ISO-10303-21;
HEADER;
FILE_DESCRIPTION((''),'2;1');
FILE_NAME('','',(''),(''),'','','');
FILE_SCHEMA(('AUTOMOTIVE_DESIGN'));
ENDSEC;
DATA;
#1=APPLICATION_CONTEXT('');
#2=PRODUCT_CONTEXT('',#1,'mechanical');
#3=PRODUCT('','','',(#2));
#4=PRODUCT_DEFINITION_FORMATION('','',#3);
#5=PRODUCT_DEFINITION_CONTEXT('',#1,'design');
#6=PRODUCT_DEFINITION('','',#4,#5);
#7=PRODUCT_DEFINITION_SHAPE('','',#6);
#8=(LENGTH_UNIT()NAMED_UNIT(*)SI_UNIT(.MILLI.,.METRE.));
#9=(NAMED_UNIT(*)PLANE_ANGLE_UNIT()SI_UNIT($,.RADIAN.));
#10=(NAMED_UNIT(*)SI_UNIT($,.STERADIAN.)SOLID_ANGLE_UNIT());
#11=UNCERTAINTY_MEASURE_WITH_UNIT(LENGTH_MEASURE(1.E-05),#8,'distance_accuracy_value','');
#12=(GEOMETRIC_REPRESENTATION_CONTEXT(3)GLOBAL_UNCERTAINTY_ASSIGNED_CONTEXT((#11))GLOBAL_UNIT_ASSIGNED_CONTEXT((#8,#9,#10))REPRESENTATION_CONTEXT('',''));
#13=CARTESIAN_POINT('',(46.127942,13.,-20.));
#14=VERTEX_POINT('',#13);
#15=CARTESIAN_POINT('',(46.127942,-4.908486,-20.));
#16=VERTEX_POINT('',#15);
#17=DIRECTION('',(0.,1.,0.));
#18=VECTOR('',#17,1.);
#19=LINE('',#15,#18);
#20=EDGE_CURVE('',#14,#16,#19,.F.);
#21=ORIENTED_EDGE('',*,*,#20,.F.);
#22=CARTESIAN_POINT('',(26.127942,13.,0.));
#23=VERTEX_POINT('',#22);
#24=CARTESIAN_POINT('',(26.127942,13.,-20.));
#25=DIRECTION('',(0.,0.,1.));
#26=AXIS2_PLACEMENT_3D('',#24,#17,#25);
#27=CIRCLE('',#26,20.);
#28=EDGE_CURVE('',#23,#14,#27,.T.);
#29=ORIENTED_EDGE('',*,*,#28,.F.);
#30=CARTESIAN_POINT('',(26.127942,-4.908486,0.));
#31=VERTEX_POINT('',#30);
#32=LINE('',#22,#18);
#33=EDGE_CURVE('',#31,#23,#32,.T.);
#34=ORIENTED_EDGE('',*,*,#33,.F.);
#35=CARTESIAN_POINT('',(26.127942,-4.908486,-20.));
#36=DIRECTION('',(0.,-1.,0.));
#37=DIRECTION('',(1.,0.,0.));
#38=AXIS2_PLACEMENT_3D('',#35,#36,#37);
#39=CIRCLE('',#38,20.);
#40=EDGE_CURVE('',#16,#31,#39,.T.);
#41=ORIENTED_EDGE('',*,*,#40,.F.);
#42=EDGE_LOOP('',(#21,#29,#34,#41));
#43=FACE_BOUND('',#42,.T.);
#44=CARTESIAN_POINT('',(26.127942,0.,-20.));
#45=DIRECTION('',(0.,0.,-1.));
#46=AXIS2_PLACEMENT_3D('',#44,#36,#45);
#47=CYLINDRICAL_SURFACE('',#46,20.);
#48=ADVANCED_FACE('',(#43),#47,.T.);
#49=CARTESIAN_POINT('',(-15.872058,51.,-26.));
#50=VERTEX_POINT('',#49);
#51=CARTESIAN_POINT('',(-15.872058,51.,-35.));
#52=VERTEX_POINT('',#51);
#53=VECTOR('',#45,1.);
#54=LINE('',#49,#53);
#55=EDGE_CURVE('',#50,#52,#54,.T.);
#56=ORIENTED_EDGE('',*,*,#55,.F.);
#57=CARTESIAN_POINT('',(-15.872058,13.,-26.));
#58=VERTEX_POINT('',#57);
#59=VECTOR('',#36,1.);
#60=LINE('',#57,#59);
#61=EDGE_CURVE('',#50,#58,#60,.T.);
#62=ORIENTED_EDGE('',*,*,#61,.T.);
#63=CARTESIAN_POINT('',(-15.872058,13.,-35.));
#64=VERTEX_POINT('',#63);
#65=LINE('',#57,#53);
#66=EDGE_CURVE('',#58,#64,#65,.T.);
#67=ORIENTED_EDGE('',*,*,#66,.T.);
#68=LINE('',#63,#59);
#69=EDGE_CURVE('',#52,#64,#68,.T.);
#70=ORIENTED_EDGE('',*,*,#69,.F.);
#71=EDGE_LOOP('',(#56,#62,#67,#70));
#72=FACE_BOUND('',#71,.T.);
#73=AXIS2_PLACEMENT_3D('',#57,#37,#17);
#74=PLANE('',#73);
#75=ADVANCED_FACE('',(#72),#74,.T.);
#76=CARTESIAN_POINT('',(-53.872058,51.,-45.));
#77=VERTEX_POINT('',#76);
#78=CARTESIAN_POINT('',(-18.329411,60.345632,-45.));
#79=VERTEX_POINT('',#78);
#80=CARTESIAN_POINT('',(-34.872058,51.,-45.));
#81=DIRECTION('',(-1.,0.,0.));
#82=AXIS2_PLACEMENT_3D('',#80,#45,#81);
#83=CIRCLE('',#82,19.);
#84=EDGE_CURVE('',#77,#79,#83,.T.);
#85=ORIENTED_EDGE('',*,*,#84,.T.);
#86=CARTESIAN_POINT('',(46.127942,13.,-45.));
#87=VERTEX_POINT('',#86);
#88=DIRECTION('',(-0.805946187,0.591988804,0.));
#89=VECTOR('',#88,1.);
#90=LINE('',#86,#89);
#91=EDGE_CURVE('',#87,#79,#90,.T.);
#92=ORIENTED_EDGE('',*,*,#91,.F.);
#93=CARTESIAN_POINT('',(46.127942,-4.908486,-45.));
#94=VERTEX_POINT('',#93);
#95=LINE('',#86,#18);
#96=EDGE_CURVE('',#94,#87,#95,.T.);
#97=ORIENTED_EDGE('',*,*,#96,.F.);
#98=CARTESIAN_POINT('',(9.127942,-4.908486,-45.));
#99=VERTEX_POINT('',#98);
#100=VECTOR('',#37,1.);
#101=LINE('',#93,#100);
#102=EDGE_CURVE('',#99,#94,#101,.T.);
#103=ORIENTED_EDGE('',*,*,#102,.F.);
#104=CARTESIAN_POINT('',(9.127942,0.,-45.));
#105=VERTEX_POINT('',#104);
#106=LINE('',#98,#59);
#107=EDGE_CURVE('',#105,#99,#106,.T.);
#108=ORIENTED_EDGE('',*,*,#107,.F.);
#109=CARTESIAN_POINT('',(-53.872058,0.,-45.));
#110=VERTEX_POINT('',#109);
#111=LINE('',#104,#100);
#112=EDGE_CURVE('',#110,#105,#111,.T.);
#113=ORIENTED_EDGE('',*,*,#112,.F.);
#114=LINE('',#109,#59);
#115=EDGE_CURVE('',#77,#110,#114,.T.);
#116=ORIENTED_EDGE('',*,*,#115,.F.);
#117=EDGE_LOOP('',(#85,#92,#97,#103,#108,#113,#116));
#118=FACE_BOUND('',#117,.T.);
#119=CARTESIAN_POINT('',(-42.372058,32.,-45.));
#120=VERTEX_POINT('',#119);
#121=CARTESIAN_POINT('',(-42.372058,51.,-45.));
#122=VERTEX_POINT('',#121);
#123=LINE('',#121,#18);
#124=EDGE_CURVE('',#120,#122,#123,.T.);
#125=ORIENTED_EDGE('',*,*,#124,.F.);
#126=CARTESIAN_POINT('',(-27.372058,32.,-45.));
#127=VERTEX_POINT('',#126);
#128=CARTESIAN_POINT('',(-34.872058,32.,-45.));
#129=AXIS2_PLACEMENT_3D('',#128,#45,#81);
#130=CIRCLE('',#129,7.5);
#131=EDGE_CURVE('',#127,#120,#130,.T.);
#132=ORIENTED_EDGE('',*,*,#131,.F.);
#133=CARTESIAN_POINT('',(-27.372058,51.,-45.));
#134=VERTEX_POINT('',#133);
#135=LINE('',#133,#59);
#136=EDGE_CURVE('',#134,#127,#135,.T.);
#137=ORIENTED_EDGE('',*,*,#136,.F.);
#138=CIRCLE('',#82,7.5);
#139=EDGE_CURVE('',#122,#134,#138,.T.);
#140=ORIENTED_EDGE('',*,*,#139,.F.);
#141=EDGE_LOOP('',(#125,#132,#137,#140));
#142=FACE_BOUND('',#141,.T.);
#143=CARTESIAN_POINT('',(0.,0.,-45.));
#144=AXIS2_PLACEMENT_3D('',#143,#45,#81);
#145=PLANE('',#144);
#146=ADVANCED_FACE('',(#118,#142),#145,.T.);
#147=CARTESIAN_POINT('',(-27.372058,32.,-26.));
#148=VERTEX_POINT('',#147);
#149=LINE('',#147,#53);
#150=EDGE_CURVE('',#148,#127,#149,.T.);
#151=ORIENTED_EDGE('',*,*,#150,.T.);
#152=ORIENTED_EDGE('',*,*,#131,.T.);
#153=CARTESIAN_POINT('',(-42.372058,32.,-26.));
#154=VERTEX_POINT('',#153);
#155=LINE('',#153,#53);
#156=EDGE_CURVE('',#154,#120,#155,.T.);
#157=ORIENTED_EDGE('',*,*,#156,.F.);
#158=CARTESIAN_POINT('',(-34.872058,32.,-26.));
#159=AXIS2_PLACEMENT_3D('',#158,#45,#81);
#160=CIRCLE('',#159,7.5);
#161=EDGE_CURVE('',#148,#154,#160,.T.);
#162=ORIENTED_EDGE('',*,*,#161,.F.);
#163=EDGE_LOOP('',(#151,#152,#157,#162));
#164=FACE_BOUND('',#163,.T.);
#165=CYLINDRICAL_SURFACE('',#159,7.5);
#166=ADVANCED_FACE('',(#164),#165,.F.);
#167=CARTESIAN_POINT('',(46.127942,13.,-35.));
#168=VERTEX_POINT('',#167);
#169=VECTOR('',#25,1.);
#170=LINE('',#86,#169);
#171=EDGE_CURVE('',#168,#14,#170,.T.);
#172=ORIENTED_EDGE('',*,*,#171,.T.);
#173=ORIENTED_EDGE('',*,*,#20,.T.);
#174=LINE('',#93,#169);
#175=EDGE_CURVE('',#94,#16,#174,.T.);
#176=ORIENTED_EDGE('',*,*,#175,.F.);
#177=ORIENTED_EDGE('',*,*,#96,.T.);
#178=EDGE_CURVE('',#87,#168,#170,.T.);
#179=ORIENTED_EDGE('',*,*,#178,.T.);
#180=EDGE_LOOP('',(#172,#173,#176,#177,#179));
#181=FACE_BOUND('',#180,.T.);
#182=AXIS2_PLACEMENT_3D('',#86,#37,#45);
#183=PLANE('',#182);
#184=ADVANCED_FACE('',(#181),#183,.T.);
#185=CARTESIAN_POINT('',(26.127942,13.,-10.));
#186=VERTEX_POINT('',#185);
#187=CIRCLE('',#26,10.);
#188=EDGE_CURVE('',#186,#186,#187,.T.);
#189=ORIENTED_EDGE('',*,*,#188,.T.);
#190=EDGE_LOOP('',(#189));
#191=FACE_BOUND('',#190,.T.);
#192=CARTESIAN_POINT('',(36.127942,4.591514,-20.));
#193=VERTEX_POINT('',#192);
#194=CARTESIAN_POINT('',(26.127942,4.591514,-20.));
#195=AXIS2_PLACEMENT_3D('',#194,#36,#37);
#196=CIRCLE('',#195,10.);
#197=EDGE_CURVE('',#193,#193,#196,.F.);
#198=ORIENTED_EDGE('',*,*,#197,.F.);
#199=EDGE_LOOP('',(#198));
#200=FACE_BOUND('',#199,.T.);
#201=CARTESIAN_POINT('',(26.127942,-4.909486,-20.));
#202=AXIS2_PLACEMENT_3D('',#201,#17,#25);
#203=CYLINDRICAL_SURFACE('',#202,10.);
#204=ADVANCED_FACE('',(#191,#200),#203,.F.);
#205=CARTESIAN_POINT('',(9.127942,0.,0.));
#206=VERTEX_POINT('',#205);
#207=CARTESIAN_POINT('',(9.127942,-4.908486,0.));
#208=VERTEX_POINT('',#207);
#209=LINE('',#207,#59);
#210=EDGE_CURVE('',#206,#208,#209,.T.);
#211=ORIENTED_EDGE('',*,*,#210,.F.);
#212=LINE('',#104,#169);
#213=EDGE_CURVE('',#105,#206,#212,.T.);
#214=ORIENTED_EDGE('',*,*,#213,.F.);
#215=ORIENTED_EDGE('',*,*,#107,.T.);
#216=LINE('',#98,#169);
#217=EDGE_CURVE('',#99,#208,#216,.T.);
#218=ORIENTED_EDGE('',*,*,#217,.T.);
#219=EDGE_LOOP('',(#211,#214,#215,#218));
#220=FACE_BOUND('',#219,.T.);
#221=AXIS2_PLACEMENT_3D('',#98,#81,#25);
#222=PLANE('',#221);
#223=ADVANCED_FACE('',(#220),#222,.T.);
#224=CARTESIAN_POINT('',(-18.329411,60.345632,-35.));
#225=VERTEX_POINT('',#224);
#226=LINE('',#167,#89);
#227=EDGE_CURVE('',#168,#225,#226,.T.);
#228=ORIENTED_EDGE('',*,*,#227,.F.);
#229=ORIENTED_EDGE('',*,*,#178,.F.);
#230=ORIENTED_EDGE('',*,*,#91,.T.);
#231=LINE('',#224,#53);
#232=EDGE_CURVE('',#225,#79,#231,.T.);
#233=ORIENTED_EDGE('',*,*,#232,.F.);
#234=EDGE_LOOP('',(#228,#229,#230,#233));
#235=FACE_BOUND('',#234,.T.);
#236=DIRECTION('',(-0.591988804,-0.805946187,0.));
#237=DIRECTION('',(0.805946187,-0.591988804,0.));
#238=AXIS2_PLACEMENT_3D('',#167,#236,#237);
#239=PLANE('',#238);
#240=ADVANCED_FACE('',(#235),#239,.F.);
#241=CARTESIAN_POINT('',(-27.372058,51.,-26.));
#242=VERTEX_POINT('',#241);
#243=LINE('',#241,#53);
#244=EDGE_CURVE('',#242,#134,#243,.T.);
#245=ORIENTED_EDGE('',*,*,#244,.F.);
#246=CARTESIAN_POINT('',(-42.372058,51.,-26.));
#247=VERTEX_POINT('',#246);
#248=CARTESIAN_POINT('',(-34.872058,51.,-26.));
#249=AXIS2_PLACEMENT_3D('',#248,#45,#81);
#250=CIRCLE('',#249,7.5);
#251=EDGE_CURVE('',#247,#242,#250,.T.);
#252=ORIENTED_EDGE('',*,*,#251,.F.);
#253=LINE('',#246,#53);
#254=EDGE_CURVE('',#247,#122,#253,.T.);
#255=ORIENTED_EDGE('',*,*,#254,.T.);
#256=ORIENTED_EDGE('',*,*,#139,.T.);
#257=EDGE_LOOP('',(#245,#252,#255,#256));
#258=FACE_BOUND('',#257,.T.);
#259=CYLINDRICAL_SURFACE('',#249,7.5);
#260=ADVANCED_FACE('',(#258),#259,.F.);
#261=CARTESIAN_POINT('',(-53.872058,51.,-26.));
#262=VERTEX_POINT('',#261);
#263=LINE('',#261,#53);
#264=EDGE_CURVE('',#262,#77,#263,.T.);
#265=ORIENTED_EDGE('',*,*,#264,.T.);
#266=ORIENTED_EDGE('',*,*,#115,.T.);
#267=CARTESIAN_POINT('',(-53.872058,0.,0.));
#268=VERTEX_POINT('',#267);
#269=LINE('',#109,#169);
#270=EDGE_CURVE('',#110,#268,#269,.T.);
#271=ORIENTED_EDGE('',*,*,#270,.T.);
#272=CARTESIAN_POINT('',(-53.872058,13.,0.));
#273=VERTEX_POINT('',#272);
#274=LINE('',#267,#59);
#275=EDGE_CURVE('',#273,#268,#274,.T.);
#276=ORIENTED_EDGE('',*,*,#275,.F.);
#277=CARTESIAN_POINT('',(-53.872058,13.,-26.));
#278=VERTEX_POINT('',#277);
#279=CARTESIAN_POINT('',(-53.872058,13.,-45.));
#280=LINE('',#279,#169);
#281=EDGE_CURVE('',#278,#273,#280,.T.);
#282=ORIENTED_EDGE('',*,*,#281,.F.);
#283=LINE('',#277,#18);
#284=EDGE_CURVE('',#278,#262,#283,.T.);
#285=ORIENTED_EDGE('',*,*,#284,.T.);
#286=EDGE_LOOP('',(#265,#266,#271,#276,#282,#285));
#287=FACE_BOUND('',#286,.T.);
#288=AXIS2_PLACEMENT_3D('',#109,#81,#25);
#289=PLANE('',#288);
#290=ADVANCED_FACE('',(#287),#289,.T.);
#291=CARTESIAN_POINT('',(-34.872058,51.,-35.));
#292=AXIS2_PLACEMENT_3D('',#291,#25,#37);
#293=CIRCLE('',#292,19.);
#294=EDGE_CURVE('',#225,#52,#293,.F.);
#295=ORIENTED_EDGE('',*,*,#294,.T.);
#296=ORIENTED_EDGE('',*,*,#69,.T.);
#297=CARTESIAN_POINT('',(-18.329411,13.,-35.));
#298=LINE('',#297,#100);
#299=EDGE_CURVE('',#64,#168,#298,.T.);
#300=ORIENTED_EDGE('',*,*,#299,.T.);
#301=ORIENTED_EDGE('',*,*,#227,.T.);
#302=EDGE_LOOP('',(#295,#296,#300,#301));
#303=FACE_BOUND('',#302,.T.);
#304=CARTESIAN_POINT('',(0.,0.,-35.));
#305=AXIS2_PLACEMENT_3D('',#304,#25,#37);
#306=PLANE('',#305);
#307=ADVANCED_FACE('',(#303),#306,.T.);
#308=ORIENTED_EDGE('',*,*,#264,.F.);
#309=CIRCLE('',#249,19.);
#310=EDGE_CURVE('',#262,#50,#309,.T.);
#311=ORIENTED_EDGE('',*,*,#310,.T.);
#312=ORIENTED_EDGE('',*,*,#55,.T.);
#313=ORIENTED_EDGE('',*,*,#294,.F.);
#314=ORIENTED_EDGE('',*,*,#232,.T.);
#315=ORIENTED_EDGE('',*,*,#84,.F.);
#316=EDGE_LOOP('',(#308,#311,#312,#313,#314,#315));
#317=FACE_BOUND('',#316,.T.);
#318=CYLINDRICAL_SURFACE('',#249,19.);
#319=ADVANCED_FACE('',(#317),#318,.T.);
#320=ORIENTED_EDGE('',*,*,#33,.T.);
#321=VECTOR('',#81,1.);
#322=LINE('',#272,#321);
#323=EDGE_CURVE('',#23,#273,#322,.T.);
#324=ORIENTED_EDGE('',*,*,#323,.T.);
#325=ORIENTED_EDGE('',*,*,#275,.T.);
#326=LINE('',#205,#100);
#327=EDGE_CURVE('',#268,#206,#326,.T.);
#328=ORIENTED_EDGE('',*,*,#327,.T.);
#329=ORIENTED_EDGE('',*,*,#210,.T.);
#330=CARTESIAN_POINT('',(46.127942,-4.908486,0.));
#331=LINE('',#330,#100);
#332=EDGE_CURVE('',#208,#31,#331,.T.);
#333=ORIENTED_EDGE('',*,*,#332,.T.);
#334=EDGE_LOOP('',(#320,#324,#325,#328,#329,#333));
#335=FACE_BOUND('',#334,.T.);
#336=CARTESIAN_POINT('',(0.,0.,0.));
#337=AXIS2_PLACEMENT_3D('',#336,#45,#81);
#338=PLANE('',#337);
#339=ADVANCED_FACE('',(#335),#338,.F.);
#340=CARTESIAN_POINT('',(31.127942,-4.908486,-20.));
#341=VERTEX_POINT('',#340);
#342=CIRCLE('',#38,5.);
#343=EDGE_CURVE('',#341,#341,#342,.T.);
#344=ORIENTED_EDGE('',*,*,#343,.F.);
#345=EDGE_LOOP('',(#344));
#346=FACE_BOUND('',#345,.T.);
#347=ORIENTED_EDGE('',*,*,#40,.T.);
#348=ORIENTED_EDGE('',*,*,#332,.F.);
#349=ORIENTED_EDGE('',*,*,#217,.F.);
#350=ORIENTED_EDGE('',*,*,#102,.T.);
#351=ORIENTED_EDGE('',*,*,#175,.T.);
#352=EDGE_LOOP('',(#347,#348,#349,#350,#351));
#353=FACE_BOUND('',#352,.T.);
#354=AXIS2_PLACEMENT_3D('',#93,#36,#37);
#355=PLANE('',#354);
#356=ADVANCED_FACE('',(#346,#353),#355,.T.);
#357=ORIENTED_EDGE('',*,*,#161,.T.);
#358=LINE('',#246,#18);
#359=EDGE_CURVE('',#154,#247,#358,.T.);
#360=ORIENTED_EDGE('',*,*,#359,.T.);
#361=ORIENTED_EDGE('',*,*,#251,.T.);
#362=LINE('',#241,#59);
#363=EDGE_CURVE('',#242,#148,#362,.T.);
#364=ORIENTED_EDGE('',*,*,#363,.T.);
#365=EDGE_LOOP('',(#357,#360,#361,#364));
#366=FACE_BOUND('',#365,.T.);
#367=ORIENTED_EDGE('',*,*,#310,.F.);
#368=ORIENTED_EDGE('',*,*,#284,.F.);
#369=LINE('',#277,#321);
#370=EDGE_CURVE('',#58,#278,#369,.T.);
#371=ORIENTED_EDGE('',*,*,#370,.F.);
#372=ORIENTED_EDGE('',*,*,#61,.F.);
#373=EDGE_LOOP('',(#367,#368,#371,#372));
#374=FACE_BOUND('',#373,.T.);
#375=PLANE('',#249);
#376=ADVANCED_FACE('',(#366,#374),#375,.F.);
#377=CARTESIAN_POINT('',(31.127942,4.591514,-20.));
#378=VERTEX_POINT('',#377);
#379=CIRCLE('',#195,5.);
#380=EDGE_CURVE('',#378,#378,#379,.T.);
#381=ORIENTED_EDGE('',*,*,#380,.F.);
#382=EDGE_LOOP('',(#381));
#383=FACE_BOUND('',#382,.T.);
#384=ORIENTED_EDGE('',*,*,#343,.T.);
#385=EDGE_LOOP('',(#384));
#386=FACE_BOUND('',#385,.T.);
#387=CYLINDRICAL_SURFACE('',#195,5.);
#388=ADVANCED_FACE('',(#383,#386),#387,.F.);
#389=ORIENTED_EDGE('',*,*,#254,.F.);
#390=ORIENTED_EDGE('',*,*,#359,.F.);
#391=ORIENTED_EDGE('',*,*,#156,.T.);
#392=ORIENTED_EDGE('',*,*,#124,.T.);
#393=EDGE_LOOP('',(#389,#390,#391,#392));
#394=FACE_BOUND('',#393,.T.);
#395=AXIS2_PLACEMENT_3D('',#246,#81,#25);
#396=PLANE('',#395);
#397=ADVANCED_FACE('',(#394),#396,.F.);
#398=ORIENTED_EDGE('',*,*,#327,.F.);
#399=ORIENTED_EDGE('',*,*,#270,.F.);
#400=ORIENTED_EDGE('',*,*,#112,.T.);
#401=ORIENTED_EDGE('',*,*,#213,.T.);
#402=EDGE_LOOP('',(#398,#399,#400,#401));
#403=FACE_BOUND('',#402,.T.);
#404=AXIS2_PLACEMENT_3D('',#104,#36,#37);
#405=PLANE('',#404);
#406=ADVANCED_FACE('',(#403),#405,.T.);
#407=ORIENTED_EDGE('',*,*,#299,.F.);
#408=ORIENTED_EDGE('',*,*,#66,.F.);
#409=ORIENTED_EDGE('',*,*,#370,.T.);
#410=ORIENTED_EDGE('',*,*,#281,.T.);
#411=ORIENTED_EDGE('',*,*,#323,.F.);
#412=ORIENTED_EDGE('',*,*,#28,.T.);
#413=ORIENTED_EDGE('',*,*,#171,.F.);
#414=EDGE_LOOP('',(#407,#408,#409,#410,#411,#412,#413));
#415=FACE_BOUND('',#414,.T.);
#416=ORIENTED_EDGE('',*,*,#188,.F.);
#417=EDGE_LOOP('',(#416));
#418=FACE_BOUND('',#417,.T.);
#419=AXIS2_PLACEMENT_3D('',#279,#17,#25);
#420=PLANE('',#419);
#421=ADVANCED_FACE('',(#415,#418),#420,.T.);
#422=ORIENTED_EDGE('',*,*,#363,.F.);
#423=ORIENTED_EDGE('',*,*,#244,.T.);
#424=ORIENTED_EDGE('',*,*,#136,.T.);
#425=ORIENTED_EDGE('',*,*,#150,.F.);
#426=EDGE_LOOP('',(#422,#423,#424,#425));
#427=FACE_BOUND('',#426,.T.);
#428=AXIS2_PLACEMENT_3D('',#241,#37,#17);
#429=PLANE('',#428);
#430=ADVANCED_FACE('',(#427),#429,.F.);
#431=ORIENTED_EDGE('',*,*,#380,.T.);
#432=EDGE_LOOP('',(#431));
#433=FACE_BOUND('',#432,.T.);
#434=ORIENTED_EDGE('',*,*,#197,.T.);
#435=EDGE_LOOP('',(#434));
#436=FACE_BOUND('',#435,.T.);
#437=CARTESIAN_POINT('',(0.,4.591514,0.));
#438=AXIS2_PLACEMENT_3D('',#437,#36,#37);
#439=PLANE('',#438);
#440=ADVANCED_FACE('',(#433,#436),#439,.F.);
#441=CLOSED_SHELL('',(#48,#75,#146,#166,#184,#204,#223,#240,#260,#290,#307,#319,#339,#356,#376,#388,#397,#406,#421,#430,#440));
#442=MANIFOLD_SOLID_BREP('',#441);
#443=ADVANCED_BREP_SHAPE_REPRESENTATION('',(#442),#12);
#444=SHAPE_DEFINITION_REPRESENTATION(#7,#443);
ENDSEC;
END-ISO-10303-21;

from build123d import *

# Parameters (mm, degrees)
BOSS_EXTRUDE1_DEPTH = 45
FILLET1_R           = 20
BOSS_EXTRUDE2_DEPTH = 19
BOSS_EXTRUDE3_DEPTH = 10
CUT_EXTRUDE2_REACH  = 92.422
SKETCH4_R           = 10
SKETCH4_R_2         = 5
SKETCH4_R_3         = 3
BOSS_EXTRUDE4_START = -9.5
SKETCH7_R           = 10
SKETCH7_R_2         = 5
BOSS_EXTRUDE4_DEPTH = 9.5


with BuildPart() as part:
    # Sketch1 → Boss-Extrude1 (new body)
    with BuildSketch(Plane.XY):
        Polygon((-53.872058339, 0), (-53.872058339, 13), (46.127941661, 13), (46.127941661, -4.908485857), (9.127941661, -4.908485857), (9.127941661, 0), align=None)
    extrude(amount=-BOSS_EXTRUDE1_DEPTH)

    # Fillet1
    fillet1_edges = [part.edges().sort_by_distance(p)[0] for p in [
        (46.127941661, 4.045757072, 0),
    ]]
    fillet(fillet1_edges, radius=FILLET1_R)

    # Sketch2 → Boss-Extrude2 (add)
    with BuildSketch(Plane(origin=(0, 0, -45), x_dir=(-1, 0, 0), z_dir=(0, 0, -1))):
        with BuildLine():
            Line((53.872058339, 13), (53.872058339, 51))
            ThreePointArc((53.872058339, 51), (34.872058339, 70), (15.872058339, 51))
            Line((15.872058339, 51), (15.872058339, 13))
            Line((15.872058339, 13), (53.872058339, 13))
        make_face()
        with BuildLine():
            Line((42.372058339, 51), (42.372058339, 32))
            ThreePointArc((42.372058339, 32), (34.872058339, 24.5), (27.372058339, 32))
            Line((27.372058339, 32), (27.372058339, 51))
            ThreePointArc((27.372058339, 51), (34.872058339, 58.5), (42.372058339, 51))
        make_face(mode=Mode.SUBTRACT)
    extrude(amount=-BOSS_EXTRUDE2_DEPTH)

    # Sketch3 → Boss-Extrude3 (add)
    with BuildSketch(Plane(origin=(0, 0, -45), x_dir=(-1, 0, 0), z_dir=(0, 0, -1))):
        Polygon((-46.127941661, 13), (16.803506509, 13), (18.329411345, 13), (18.329411345, 60.345631624), align=None)
    extrude(amount=-BOSS_EXTRUDE3_DEPTH)

    # Sketch4 → Cut-Extrude2 (cut, up to next)
    with BuildSketch(Plane(origin=(0, 13, 0), x_dir=(1, 0, 0), z_dir=(0, 1, 0)), mode=Mode.PRIVATE) as cut_extrude2_sk1:
        with Locations(Location((26.127941661, 20, 0), (0, 0, 270))):
            Circle(SKETCH4_R)
        with Locations((26.127941661, 20)):
            Circle(SKETCH4_R_2, mode=Mode.SUBTRACT)
    cut_extrude2_tool1 = extrude(cut_extrude2_sk1.sketch, amount=-CUT_EXTRUDE2_REACH, mode=Mode.PRIVATE) & part.part
    # Sketch4 → Cut-Extrude2 (cut, up to next)
    with BuildSketch(Plane(origin=(0, 13, 0), x_dir=(1, 0, 0), z_dir=(0, 1, 0)), mode=Mode.PRIVATE) as cut_extrude2_sk2:
        with Locations((26.127941661, 20)):
            Circle(SKETCH4_R_2)
        with Locations((26.127941661, 20)):
            Circle(SKETCH4_R_3, mode=Mode.SUBTRACT)
    cut_extrude2_tool2 = extrude(cut_extrude2_sk2.sketch, amount=-CUT_EXTRUDE2_REACH, mode=Mode.PRIVATE) & part.part
    # Sketch4 → Cut-Extrude2 (cut, up to next)
    with BuildSketch(Plane(origin=(0, 13, 0), x_dir=(1, 0, 0), z_dir=(0, 1, 0)), mode=Mode.PRIVATE) as cut_extrude2_sk3:
        with Locations((26.127941661, 20)):
            Circle(SKETCH4_R_3)
    cut_extrude2_tool3 = extrude(cut_extrude2_sk3.sketch, amount=-CUT_EXTRUDE2_REACH, mode=Mode.PRIVATE) & part.part
    add(cut_extrude2_tool1.solids().sort_by_distance((26.127942, 13, -29.717157))[0], mode=Mode.SUBTRACT)
    add(cut_extrude2_tool2.solids().sort_by_distance((21.269363, 13, -20))[0], mode=Mode.SUBTRACT)
    add(cut_extrude2_tool3.solids().sort_by_distance((26.127942, 13, -20))[0], mode=Mode.SUBTRACT)

    # Sketch7 → Boss-Extrude4 (add)
    with BuildSketch(Plane.XZ.offset(4.908485857).offset(BOSS_EXTRUDE4_START)):
        with Locations(Location((26.127941661, -20, 0), (0, 0, 90))):
            Circle(SKETCH7_R)
        with Locations((26.127941661, -20)):
            Circle(SKETCH7_R_2, mode=Mode.SUBTRACT)
    extrude(amount=BOSS_EXTRUDE4_DEPTH)


solid = part.part
